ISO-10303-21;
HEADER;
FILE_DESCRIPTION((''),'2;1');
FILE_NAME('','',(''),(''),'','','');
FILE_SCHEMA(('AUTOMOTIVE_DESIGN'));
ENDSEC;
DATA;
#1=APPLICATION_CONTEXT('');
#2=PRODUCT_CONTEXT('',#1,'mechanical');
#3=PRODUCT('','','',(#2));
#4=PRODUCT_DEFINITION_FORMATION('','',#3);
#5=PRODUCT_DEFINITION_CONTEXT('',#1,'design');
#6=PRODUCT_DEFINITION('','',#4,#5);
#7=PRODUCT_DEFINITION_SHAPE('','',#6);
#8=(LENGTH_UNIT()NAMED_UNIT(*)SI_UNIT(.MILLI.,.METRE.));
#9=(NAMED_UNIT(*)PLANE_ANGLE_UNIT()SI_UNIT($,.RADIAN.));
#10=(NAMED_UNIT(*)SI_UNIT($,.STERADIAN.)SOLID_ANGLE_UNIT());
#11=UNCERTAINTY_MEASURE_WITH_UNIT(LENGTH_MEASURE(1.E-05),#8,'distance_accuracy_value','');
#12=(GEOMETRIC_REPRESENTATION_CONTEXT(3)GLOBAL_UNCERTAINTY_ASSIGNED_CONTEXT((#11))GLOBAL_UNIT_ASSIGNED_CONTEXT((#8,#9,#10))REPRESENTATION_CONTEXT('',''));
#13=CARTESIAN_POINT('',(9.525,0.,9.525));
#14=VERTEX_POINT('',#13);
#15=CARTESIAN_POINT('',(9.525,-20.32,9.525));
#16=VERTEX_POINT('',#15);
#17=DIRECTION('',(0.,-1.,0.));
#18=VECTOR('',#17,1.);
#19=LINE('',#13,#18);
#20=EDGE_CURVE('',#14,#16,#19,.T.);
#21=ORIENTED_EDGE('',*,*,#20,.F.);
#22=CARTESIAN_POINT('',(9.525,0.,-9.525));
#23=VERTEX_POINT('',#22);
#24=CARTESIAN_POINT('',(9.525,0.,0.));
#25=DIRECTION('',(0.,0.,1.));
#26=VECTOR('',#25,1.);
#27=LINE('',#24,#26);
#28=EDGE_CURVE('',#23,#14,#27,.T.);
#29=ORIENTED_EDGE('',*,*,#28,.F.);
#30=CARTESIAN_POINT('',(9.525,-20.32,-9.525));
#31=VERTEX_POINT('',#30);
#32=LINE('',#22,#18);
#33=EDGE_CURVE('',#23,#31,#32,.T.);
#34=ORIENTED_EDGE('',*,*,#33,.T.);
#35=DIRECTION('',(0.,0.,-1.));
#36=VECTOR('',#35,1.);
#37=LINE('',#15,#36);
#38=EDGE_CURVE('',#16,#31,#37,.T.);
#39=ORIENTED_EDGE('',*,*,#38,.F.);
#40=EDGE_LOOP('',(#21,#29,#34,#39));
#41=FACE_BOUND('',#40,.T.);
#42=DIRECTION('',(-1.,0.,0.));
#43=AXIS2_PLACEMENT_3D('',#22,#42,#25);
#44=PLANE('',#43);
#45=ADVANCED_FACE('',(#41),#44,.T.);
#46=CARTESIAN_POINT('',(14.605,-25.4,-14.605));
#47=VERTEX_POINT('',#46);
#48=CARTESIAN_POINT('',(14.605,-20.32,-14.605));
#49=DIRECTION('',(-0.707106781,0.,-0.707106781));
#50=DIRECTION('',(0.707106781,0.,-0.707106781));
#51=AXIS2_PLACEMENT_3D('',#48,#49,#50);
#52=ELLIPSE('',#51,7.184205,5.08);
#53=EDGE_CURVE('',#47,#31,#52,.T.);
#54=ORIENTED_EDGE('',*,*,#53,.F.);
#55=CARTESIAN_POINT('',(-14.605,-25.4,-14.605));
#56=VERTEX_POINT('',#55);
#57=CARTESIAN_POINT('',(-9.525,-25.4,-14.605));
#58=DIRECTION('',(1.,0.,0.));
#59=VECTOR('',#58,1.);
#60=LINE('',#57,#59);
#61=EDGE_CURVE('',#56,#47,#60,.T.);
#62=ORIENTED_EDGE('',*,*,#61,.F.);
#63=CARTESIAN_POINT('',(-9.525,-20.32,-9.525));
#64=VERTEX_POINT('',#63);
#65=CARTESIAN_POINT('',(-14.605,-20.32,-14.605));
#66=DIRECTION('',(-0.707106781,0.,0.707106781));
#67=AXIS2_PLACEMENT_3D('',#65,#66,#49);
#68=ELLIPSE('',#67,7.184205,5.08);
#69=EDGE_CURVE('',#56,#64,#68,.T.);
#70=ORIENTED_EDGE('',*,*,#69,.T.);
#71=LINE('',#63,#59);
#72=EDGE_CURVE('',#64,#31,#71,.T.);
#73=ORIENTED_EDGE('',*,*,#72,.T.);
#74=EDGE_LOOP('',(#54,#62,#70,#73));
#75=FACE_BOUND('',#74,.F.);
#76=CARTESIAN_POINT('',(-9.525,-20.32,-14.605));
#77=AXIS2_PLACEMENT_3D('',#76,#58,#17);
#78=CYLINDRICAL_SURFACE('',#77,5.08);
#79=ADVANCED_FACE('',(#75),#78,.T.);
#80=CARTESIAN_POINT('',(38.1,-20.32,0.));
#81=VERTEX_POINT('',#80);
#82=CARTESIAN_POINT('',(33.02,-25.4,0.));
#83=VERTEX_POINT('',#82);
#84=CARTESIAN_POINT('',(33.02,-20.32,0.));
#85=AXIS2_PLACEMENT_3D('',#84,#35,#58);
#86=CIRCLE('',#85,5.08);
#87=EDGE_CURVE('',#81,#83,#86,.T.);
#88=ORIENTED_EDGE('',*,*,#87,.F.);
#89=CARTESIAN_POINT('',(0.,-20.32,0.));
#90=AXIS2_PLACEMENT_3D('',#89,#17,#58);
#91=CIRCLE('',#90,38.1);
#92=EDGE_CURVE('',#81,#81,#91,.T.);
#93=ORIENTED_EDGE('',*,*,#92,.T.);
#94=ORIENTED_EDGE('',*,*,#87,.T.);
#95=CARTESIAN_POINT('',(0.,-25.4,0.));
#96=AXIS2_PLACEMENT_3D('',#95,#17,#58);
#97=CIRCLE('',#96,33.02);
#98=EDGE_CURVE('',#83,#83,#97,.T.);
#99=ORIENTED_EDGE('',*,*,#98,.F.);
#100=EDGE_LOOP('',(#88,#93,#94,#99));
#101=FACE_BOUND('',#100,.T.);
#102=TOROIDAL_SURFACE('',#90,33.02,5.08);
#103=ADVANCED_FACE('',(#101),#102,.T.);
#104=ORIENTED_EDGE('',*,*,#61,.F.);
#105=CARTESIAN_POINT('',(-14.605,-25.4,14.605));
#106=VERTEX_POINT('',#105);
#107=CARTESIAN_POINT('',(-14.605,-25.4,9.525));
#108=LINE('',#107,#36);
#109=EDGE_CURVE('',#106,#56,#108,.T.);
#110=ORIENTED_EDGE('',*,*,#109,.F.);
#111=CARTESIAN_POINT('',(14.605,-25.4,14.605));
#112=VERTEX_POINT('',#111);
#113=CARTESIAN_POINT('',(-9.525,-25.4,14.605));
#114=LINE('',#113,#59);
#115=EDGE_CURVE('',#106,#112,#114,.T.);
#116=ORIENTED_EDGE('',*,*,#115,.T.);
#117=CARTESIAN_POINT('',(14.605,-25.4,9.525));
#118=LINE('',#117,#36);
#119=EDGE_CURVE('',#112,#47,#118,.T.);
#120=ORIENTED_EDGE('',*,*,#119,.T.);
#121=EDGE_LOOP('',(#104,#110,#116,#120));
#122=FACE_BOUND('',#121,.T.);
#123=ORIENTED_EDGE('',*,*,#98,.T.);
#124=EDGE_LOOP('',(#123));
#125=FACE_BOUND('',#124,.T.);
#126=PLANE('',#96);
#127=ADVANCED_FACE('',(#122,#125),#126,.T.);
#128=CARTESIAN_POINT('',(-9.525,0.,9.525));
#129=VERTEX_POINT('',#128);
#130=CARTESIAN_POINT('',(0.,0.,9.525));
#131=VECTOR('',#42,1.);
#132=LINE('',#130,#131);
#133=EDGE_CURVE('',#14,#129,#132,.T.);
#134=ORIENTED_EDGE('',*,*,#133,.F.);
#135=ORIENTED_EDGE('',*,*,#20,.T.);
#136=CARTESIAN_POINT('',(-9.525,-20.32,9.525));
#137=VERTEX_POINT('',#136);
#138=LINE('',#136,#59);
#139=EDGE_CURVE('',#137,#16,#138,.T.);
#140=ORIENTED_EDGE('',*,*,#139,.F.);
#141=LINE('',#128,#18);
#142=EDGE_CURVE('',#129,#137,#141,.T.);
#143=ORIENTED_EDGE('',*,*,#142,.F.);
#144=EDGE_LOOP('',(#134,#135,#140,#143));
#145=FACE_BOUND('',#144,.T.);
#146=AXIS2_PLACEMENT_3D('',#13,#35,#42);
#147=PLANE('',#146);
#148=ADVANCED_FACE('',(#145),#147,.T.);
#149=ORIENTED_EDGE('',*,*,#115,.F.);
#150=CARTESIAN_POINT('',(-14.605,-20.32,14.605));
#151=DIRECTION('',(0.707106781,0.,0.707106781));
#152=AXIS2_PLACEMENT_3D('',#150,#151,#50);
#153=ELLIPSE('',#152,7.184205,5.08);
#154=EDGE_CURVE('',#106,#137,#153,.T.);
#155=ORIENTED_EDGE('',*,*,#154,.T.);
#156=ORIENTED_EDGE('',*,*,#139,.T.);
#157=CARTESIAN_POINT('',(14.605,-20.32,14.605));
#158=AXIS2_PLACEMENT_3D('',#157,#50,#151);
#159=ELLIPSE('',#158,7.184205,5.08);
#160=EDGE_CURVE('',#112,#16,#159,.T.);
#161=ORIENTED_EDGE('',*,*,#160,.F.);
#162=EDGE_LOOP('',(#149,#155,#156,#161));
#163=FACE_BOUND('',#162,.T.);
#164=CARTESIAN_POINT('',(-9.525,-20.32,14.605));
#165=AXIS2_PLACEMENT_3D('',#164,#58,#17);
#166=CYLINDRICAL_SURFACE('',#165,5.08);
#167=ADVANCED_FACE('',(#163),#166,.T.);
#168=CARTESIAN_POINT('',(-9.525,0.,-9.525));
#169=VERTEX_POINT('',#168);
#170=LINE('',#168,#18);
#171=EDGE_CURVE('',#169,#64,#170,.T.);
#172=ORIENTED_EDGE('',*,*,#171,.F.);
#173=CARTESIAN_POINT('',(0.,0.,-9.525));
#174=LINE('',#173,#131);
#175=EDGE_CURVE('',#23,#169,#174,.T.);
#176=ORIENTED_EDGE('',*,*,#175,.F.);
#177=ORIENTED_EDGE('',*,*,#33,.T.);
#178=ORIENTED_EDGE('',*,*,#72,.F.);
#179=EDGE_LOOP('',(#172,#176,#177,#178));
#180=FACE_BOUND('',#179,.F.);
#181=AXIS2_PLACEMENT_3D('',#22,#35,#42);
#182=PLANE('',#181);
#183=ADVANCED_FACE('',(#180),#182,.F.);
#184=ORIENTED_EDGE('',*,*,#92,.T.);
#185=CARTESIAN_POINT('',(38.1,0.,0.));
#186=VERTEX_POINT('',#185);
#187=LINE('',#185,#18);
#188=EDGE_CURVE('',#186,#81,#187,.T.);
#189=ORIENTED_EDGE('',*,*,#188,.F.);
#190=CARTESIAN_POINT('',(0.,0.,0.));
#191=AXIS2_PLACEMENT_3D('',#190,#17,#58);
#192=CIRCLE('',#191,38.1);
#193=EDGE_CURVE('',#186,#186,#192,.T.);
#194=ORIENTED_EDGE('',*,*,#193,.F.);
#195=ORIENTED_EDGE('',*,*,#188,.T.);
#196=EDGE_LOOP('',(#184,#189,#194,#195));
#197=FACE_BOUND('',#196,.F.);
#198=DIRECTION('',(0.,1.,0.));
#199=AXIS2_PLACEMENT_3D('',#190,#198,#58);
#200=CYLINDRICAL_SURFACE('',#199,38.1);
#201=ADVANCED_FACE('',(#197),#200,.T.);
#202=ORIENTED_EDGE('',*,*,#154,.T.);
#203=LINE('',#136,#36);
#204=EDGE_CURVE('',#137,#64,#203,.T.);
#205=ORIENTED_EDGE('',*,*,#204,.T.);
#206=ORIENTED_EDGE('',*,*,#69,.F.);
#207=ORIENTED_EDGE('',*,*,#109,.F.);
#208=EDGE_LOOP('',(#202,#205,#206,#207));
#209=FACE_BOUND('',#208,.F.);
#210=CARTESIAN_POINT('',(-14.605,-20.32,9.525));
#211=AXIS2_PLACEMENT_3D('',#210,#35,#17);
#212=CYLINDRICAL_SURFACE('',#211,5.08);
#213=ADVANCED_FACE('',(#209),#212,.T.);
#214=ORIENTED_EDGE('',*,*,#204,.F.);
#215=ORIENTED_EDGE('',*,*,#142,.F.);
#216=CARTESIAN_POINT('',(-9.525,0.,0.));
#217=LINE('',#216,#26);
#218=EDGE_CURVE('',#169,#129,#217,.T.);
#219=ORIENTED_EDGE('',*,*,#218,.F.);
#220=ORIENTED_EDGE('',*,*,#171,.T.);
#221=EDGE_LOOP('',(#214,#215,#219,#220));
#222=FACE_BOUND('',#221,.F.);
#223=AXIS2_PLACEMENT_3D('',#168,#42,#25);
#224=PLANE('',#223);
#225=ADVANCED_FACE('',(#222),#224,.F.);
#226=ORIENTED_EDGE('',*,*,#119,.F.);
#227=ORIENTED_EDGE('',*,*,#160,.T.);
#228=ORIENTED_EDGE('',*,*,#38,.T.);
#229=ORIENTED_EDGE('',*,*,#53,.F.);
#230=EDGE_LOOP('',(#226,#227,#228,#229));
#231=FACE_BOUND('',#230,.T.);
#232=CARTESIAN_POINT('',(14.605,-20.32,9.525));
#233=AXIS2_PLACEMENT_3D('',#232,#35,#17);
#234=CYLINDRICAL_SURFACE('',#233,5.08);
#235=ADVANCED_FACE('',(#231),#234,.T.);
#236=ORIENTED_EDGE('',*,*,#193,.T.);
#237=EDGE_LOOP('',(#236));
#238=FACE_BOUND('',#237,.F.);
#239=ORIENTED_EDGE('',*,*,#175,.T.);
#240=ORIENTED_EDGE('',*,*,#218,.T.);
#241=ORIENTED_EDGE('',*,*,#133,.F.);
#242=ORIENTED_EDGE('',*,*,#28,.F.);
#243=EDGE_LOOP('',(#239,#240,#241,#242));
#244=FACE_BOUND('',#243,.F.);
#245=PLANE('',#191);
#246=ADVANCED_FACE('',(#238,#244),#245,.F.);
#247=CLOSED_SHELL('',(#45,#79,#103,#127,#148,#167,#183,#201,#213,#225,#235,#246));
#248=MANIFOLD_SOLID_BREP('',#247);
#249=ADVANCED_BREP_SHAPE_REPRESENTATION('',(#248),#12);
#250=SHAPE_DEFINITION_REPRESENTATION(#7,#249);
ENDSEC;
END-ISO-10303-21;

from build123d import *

# Parameters (mm, degrees)
F0_R     = 38.1
F1_DEPTH = 25.4
F2_R     = 5.08
F3_W     = 19.05
F3_H     = 19.05
F4_DEPTH = 25.401
F5_R     = 5.08


with BuildPart() as f1:
    # F0 (on Front) → F1 (new body)
    with BuildSketch(Plane.XZ):
        Circle(F0_R)
    extrude(amount=F1_DEPTH)

    # F2
    f2_edges = [f1.edges().sort_by_distance(p)[0] for p in [
        (-38.1, -25.4, 0),
    ]]
    fillet(f2_edges, radius=F2_R)

    # F3 (on face) → F4 (cut, through all)
    with BuildSketch(Plane(origin=(0, 0, 0), x_dir=(-1, 0, 0), z_dir=(0, 1, 0))):
        Rectangle(F3_W, F3_H)
    extrude(amount=-F4_DEPTH, mode=Mode.SUBTRACT)

    # F5
    f5_edges = [f1.edges().sort_by_distance(p)[0] for p in [
        (0, -25.4, 9.525),
        (-9.525, -25.4, 0),
        (0, -25.4, -9.525),
        (9.525, -25.4, 0),
    ]]
    fillet(f5_edges, radius=F5_R)


solid = f1.part
